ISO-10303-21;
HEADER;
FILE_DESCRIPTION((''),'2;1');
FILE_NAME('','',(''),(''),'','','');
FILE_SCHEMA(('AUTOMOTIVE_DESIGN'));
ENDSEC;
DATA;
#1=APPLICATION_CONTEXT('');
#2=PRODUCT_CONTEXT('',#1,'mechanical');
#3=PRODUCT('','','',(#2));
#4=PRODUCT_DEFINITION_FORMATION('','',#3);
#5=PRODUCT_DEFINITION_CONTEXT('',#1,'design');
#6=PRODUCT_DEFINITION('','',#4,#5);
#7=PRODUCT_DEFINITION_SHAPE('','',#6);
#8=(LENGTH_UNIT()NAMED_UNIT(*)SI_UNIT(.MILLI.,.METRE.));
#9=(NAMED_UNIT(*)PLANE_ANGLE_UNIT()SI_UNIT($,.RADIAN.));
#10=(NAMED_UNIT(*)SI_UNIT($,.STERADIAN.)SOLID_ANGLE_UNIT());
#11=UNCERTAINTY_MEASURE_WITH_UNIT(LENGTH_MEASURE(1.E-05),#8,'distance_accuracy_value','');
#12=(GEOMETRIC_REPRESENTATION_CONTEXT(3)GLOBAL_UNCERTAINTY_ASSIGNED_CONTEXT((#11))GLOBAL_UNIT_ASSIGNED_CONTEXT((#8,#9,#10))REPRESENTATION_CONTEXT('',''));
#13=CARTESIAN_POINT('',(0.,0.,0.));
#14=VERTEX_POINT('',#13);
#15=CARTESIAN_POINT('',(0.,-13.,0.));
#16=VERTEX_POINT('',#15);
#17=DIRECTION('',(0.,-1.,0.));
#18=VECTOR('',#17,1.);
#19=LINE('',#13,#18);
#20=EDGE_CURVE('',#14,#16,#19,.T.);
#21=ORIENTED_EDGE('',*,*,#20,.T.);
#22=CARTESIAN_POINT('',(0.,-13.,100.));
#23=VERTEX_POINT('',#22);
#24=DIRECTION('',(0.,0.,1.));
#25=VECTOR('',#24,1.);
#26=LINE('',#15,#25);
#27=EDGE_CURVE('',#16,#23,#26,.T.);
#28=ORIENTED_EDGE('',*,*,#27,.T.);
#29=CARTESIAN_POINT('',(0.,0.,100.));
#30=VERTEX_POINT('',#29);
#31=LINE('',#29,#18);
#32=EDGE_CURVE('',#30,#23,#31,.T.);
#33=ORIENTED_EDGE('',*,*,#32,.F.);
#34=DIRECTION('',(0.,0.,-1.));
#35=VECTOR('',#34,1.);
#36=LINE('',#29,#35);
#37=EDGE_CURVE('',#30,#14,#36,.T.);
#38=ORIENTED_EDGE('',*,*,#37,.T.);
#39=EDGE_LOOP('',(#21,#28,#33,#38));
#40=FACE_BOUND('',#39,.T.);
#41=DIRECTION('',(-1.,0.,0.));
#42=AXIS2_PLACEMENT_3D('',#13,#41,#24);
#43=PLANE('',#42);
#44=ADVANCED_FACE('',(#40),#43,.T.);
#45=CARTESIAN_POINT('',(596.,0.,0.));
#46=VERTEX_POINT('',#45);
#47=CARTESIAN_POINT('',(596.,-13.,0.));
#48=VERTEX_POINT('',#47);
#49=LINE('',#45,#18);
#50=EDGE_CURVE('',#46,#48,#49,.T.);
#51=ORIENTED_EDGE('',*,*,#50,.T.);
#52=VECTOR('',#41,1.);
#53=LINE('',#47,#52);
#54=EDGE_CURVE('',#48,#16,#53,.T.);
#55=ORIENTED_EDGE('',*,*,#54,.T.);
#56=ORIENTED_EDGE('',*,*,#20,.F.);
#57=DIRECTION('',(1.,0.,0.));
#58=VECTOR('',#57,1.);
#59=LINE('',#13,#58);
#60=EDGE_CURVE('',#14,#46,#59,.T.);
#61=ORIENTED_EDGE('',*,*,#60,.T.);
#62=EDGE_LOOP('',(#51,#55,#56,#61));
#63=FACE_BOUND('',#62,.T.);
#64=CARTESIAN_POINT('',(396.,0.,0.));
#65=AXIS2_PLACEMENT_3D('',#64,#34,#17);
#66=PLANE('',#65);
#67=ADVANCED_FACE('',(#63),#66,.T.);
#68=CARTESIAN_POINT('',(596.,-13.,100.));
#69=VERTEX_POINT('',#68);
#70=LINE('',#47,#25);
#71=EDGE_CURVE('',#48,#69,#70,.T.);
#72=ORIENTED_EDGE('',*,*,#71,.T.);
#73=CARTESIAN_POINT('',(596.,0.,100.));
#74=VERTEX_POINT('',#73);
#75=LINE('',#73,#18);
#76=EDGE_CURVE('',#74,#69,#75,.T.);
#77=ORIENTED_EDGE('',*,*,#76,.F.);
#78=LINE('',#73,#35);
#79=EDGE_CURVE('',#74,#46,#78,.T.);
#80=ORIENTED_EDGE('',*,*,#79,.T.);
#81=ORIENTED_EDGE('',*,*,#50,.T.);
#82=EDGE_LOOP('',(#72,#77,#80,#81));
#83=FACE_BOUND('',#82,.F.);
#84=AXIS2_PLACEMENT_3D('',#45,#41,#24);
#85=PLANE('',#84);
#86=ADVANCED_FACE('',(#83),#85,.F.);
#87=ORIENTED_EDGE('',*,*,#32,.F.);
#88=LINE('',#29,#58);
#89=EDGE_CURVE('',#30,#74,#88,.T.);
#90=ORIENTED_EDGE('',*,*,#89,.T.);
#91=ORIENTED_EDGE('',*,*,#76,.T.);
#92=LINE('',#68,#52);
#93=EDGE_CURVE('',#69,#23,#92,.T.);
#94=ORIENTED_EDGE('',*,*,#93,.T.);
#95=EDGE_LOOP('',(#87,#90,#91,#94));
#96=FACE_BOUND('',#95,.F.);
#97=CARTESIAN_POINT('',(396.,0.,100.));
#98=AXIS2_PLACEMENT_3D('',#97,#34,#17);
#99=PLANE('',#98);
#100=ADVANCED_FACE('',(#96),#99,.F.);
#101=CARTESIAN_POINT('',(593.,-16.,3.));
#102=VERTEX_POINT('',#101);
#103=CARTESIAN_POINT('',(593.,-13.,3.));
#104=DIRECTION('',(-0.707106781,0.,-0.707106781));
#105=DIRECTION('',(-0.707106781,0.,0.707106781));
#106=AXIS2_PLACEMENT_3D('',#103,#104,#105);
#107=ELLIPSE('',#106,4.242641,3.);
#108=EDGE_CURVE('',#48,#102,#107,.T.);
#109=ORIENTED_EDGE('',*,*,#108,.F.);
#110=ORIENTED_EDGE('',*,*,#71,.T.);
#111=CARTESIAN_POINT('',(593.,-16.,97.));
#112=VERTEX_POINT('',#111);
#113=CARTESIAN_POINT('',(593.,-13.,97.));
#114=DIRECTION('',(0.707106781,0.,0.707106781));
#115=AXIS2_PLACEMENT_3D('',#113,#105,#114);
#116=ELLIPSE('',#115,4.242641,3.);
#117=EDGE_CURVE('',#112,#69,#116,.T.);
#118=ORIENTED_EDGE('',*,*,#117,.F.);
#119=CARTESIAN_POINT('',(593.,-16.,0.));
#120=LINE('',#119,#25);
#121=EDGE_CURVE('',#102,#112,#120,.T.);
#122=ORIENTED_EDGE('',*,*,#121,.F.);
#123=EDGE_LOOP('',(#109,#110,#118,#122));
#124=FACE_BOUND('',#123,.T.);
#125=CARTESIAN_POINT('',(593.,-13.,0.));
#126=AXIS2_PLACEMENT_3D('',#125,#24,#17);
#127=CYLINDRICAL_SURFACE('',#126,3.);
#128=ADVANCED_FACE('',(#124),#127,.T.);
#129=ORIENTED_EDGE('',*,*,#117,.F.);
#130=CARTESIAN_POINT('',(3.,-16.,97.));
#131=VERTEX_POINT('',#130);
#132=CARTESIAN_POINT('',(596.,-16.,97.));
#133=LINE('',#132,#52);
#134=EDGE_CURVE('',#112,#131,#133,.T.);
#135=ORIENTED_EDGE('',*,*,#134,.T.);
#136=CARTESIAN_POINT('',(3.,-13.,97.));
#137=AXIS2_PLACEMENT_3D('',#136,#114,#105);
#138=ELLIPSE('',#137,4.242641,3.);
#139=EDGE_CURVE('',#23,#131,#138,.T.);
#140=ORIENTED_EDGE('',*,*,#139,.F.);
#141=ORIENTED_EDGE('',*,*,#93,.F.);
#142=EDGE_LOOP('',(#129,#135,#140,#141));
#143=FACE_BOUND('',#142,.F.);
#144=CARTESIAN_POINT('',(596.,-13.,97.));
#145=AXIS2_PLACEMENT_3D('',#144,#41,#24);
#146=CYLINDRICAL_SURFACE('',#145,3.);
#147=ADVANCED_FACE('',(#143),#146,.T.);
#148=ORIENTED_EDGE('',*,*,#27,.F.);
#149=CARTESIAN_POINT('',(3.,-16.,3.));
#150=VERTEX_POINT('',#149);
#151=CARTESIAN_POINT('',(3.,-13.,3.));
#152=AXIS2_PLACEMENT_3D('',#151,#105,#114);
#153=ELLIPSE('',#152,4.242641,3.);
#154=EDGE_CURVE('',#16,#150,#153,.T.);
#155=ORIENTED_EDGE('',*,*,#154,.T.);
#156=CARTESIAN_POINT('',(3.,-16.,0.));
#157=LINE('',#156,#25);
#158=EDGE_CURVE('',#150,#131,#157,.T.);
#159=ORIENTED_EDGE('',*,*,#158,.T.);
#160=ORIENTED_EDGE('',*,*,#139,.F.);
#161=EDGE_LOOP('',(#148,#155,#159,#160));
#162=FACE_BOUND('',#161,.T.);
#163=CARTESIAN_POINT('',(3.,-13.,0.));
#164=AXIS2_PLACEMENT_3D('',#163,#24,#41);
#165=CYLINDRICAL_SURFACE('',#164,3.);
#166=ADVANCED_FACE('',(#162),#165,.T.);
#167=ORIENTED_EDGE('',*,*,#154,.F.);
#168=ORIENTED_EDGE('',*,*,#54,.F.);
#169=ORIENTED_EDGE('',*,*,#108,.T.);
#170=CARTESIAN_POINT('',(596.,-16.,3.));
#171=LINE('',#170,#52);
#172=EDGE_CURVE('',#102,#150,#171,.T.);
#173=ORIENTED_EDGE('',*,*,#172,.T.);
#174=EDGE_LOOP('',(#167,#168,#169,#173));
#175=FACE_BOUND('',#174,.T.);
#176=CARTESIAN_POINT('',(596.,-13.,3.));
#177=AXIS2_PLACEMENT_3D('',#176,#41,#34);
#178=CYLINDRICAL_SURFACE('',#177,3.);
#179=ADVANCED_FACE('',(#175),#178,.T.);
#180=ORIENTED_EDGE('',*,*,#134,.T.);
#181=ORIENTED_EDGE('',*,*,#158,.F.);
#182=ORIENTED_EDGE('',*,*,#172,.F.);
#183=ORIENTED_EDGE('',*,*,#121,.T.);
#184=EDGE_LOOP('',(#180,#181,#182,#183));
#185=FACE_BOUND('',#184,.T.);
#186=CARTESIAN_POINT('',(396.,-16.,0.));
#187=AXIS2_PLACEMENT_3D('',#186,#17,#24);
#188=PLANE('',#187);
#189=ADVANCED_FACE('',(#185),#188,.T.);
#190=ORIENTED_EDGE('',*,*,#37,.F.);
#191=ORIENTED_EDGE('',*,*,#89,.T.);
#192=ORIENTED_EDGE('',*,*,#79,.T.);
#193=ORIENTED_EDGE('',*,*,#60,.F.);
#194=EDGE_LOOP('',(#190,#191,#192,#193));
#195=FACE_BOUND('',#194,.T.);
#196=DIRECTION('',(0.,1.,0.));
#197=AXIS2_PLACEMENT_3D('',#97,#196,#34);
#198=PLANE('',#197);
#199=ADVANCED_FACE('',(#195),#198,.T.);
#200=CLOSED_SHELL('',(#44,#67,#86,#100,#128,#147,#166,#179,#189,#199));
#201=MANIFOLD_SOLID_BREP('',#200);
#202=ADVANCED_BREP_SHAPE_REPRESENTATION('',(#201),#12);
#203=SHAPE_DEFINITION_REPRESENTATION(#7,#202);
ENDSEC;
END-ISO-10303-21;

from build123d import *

# Parameters (mm, degrees)
F0_W     = 53.6684691906
F0_H     = 36.3845862448
F1_DEPTH = 16
F2_DEPTH = 396
F3_DEPTH = 100
F4_DEPTH = 200
F5_R     = 3


with BuildPart() as f1:
    # F0 (on Front) → F1 (new body)
    with BuildSketch(Plane.XZ):
        with Locations((26.8342345953, 18.1922931224)):
            Rectangle(F0_W, F0_H)
    extrude(amount=F1_DEPTH)

    # F2 (add): a face of the model
    f2_faces = [f1.faces().sort_by_distance(p)[0] for p in [
        (0, -8, 18.1922931224),
    ]]
    extrude(f2_faces, amount=-F2_DEPTH)

    # F3 (add): a face of the model
    f3_faces = [f1.faces().sort_by_distance(p)[0] for p in [
        (198, -8, 0),
    ]]
    extrude(f3_faces, amount=-F3_DEPTH)

    # F4 (add): a face of the model
    f4_faces = [f1.faces().sort_by_distance(p)[0] for p in [
        (396, -8, 50),
    ]]
    extrude(f4_faces, amount=F4_DEPTH)

    # F5
    f5_edges = [f1.edges().sort_by_distance(p)[0] for p in [
        (0, -16, 50),
        (298, -16, 0),
        (596, -16, 50),
        (298, -16, 100),
    ]]
    fillet(f5_edges, radius=F5_R)


solid = f1.part
